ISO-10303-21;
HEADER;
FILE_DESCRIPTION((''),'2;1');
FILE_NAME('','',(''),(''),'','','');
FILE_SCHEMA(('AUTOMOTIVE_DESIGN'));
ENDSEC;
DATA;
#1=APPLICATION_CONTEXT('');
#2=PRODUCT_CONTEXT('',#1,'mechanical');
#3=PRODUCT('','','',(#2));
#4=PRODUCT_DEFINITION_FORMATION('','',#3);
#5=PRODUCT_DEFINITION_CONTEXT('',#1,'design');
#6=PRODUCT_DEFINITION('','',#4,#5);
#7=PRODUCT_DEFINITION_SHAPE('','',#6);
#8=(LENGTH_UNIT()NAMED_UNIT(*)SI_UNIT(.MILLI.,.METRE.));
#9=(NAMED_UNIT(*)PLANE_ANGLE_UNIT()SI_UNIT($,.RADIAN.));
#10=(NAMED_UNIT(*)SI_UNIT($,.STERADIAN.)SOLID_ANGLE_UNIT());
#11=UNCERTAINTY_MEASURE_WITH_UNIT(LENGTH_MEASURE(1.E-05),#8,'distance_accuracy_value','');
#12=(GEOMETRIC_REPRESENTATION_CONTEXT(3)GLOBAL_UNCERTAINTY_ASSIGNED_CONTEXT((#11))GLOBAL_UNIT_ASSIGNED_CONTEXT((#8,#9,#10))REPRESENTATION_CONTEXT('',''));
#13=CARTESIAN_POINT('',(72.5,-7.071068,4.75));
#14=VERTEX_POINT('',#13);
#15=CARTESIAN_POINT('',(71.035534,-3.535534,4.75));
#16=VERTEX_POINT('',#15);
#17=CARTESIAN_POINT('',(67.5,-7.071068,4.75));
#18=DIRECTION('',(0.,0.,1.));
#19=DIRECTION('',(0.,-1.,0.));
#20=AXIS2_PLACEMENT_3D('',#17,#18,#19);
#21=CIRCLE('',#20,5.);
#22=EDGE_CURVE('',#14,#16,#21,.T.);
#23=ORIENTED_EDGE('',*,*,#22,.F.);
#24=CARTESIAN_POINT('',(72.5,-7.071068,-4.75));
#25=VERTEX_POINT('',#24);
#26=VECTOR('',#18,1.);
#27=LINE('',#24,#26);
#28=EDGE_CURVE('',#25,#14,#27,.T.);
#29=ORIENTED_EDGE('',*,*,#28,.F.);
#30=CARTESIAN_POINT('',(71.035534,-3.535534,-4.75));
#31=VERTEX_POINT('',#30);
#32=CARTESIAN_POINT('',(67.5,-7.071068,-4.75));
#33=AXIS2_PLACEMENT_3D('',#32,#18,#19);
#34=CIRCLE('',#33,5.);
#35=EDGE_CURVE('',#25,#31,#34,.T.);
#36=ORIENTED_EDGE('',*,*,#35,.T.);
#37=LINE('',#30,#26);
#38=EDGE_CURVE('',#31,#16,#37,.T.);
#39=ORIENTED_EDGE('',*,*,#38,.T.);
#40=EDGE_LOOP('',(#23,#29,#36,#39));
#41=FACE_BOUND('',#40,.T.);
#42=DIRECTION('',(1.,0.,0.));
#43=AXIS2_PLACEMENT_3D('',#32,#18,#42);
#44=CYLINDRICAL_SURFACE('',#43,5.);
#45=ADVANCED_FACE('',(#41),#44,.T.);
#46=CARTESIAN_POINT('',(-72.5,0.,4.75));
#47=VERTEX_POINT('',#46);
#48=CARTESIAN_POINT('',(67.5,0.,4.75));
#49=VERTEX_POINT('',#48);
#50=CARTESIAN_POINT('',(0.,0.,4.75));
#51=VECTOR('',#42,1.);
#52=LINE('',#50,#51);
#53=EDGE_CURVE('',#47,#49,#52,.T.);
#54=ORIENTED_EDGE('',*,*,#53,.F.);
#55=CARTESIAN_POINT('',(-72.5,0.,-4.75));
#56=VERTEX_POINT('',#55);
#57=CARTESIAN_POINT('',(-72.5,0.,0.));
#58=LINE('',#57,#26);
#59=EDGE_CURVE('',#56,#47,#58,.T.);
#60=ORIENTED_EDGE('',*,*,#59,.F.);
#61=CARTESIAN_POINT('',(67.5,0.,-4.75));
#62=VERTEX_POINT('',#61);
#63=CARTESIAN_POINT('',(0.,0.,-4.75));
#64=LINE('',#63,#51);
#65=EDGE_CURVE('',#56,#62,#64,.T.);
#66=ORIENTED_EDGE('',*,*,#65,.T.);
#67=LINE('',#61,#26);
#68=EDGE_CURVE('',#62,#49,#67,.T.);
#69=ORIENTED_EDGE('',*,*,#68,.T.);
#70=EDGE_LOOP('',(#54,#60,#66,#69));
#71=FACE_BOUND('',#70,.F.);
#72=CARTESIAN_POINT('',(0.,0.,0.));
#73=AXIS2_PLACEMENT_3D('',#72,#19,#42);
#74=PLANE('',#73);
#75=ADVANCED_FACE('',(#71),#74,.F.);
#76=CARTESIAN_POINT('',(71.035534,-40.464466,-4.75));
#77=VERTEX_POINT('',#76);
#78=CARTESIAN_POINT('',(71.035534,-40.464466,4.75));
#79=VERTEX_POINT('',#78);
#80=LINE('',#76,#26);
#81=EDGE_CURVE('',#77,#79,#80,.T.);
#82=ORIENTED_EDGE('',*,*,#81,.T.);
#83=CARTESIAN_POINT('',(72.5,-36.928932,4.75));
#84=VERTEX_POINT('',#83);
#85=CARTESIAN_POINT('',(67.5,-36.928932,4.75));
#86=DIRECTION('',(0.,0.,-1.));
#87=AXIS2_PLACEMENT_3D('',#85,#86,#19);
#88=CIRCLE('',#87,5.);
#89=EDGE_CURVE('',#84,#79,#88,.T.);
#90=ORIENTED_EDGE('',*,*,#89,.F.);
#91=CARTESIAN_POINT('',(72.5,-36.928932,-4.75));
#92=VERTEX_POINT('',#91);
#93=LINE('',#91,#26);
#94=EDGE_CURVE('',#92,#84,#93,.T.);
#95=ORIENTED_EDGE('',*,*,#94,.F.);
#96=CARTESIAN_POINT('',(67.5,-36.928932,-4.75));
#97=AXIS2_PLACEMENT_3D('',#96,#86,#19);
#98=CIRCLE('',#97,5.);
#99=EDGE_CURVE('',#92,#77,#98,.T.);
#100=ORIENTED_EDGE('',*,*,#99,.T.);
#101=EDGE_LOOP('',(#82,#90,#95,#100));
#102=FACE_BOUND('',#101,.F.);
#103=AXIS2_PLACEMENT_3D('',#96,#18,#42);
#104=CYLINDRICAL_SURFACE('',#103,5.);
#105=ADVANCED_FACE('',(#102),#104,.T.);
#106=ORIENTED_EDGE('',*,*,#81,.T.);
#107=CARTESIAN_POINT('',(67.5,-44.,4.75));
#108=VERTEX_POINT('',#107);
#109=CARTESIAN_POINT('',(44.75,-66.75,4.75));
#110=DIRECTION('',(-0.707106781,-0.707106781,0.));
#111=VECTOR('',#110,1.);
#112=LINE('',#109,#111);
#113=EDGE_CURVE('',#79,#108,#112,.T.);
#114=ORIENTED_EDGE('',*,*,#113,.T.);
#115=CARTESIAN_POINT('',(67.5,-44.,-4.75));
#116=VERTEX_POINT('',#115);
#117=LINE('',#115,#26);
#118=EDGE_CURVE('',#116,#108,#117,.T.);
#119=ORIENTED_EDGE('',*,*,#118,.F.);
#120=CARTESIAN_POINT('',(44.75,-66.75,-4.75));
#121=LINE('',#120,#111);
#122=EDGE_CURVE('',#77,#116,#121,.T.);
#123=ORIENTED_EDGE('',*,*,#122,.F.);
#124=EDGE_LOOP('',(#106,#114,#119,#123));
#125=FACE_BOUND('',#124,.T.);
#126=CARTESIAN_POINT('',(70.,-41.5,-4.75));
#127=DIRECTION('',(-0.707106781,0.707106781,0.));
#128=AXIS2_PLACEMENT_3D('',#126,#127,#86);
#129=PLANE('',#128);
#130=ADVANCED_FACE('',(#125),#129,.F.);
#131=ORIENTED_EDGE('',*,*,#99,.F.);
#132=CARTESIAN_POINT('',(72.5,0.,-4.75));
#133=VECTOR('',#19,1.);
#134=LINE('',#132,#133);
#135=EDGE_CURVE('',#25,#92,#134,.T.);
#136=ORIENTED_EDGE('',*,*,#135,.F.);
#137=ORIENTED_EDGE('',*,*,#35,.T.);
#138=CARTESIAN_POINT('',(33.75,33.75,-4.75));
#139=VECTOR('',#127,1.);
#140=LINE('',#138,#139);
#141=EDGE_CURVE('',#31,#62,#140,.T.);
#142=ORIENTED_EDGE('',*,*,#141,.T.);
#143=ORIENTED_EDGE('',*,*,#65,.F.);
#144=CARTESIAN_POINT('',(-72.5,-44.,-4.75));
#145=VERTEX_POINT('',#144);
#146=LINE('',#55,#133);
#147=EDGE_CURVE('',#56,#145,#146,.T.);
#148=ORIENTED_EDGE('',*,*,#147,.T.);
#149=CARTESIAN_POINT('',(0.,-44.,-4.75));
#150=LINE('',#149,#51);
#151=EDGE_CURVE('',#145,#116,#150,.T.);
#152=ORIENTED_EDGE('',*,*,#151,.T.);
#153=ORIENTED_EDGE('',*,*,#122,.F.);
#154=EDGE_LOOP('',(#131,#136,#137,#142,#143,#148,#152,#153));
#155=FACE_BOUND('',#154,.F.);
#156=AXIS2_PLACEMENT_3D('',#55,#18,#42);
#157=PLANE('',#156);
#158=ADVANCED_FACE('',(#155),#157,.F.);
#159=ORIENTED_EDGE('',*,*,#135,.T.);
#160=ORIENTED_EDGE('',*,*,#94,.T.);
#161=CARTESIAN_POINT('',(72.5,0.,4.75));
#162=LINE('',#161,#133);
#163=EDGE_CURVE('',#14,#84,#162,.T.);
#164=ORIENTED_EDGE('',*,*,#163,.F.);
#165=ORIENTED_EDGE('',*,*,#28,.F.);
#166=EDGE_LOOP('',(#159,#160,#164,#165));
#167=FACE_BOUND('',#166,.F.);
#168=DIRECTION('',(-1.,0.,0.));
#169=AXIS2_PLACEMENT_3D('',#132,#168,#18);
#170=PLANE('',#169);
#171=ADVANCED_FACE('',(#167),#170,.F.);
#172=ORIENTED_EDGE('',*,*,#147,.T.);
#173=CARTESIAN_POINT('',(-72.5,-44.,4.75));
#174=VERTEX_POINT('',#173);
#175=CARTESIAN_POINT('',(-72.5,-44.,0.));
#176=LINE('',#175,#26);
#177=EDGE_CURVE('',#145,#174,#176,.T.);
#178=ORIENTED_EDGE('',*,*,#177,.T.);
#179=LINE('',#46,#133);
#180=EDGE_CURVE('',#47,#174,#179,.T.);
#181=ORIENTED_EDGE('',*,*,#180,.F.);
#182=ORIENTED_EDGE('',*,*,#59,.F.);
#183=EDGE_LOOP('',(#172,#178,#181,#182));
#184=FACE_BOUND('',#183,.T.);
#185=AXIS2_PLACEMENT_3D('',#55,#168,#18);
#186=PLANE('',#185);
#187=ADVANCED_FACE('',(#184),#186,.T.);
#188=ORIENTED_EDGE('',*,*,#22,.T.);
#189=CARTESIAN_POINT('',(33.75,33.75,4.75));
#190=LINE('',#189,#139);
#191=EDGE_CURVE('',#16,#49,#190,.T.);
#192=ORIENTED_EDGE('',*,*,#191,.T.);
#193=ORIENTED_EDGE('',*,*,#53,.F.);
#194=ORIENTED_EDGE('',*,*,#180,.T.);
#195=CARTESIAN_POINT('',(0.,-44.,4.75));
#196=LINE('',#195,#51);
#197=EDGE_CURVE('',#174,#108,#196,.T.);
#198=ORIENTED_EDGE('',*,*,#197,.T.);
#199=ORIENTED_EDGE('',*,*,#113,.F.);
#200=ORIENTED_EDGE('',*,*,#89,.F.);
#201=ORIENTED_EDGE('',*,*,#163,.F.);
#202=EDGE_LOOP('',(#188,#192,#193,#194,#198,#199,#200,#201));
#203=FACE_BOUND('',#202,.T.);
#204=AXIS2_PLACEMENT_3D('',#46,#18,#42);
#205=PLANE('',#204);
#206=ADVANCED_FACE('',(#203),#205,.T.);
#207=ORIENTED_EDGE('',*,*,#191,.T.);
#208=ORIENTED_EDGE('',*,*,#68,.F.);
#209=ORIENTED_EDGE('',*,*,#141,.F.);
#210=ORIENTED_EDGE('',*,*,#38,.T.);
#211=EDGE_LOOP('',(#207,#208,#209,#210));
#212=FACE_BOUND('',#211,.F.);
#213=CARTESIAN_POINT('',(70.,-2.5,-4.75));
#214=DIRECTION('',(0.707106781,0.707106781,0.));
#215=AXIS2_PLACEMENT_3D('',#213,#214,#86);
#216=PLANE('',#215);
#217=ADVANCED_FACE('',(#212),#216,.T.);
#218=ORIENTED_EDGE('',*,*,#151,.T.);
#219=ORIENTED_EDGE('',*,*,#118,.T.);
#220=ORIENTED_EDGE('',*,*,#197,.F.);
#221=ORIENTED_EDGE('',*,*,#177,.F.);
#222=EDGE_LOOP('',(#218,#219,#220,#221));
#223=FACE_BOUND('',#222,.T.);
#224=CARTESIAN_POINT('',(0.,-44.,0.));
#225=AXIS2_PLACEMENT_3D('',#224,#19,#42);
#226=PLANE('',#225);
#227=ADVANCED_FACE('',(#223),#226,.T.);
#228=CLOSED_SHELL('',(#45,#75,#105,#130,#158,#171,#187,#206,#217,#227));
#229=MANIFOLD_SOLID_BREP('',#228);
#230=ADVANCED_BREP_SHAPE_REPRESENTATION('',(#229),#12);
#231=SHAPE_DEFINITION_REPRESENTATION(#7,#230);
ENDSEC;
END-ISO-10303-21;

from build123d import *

# Parameters (mm, degrees)
F0_W     = 145
F0_H     = 9.5
F1_DEPTH = 44
F2_SIZE  = 5
F3_R     = 5


with BuildPart() as f1:
    # F0 (on Front) → F1 (new body)
    with BuildSketch(Plane.XZ):
        Rectangle(F0_W, F0_H)
    extrude(amount=F1_DEPTH)

    # F2
    f2_edges = [f1.edges().sort_by_distance(p)[0] for p in [
        (72.5, -44, 0),
        (72.5, 0, 0),
    ]]
    chamfer(f2_edges, length=F2_SIZE)

    # F3
    f3_edges = [f1.edges().sort_by_distance(p)[0] for p in [
        (72.5, -39, 0),
        (72.5, -5, 0),
    ]]
    fillet(f3_edges, radius=F3_R)


solid = f1.part
